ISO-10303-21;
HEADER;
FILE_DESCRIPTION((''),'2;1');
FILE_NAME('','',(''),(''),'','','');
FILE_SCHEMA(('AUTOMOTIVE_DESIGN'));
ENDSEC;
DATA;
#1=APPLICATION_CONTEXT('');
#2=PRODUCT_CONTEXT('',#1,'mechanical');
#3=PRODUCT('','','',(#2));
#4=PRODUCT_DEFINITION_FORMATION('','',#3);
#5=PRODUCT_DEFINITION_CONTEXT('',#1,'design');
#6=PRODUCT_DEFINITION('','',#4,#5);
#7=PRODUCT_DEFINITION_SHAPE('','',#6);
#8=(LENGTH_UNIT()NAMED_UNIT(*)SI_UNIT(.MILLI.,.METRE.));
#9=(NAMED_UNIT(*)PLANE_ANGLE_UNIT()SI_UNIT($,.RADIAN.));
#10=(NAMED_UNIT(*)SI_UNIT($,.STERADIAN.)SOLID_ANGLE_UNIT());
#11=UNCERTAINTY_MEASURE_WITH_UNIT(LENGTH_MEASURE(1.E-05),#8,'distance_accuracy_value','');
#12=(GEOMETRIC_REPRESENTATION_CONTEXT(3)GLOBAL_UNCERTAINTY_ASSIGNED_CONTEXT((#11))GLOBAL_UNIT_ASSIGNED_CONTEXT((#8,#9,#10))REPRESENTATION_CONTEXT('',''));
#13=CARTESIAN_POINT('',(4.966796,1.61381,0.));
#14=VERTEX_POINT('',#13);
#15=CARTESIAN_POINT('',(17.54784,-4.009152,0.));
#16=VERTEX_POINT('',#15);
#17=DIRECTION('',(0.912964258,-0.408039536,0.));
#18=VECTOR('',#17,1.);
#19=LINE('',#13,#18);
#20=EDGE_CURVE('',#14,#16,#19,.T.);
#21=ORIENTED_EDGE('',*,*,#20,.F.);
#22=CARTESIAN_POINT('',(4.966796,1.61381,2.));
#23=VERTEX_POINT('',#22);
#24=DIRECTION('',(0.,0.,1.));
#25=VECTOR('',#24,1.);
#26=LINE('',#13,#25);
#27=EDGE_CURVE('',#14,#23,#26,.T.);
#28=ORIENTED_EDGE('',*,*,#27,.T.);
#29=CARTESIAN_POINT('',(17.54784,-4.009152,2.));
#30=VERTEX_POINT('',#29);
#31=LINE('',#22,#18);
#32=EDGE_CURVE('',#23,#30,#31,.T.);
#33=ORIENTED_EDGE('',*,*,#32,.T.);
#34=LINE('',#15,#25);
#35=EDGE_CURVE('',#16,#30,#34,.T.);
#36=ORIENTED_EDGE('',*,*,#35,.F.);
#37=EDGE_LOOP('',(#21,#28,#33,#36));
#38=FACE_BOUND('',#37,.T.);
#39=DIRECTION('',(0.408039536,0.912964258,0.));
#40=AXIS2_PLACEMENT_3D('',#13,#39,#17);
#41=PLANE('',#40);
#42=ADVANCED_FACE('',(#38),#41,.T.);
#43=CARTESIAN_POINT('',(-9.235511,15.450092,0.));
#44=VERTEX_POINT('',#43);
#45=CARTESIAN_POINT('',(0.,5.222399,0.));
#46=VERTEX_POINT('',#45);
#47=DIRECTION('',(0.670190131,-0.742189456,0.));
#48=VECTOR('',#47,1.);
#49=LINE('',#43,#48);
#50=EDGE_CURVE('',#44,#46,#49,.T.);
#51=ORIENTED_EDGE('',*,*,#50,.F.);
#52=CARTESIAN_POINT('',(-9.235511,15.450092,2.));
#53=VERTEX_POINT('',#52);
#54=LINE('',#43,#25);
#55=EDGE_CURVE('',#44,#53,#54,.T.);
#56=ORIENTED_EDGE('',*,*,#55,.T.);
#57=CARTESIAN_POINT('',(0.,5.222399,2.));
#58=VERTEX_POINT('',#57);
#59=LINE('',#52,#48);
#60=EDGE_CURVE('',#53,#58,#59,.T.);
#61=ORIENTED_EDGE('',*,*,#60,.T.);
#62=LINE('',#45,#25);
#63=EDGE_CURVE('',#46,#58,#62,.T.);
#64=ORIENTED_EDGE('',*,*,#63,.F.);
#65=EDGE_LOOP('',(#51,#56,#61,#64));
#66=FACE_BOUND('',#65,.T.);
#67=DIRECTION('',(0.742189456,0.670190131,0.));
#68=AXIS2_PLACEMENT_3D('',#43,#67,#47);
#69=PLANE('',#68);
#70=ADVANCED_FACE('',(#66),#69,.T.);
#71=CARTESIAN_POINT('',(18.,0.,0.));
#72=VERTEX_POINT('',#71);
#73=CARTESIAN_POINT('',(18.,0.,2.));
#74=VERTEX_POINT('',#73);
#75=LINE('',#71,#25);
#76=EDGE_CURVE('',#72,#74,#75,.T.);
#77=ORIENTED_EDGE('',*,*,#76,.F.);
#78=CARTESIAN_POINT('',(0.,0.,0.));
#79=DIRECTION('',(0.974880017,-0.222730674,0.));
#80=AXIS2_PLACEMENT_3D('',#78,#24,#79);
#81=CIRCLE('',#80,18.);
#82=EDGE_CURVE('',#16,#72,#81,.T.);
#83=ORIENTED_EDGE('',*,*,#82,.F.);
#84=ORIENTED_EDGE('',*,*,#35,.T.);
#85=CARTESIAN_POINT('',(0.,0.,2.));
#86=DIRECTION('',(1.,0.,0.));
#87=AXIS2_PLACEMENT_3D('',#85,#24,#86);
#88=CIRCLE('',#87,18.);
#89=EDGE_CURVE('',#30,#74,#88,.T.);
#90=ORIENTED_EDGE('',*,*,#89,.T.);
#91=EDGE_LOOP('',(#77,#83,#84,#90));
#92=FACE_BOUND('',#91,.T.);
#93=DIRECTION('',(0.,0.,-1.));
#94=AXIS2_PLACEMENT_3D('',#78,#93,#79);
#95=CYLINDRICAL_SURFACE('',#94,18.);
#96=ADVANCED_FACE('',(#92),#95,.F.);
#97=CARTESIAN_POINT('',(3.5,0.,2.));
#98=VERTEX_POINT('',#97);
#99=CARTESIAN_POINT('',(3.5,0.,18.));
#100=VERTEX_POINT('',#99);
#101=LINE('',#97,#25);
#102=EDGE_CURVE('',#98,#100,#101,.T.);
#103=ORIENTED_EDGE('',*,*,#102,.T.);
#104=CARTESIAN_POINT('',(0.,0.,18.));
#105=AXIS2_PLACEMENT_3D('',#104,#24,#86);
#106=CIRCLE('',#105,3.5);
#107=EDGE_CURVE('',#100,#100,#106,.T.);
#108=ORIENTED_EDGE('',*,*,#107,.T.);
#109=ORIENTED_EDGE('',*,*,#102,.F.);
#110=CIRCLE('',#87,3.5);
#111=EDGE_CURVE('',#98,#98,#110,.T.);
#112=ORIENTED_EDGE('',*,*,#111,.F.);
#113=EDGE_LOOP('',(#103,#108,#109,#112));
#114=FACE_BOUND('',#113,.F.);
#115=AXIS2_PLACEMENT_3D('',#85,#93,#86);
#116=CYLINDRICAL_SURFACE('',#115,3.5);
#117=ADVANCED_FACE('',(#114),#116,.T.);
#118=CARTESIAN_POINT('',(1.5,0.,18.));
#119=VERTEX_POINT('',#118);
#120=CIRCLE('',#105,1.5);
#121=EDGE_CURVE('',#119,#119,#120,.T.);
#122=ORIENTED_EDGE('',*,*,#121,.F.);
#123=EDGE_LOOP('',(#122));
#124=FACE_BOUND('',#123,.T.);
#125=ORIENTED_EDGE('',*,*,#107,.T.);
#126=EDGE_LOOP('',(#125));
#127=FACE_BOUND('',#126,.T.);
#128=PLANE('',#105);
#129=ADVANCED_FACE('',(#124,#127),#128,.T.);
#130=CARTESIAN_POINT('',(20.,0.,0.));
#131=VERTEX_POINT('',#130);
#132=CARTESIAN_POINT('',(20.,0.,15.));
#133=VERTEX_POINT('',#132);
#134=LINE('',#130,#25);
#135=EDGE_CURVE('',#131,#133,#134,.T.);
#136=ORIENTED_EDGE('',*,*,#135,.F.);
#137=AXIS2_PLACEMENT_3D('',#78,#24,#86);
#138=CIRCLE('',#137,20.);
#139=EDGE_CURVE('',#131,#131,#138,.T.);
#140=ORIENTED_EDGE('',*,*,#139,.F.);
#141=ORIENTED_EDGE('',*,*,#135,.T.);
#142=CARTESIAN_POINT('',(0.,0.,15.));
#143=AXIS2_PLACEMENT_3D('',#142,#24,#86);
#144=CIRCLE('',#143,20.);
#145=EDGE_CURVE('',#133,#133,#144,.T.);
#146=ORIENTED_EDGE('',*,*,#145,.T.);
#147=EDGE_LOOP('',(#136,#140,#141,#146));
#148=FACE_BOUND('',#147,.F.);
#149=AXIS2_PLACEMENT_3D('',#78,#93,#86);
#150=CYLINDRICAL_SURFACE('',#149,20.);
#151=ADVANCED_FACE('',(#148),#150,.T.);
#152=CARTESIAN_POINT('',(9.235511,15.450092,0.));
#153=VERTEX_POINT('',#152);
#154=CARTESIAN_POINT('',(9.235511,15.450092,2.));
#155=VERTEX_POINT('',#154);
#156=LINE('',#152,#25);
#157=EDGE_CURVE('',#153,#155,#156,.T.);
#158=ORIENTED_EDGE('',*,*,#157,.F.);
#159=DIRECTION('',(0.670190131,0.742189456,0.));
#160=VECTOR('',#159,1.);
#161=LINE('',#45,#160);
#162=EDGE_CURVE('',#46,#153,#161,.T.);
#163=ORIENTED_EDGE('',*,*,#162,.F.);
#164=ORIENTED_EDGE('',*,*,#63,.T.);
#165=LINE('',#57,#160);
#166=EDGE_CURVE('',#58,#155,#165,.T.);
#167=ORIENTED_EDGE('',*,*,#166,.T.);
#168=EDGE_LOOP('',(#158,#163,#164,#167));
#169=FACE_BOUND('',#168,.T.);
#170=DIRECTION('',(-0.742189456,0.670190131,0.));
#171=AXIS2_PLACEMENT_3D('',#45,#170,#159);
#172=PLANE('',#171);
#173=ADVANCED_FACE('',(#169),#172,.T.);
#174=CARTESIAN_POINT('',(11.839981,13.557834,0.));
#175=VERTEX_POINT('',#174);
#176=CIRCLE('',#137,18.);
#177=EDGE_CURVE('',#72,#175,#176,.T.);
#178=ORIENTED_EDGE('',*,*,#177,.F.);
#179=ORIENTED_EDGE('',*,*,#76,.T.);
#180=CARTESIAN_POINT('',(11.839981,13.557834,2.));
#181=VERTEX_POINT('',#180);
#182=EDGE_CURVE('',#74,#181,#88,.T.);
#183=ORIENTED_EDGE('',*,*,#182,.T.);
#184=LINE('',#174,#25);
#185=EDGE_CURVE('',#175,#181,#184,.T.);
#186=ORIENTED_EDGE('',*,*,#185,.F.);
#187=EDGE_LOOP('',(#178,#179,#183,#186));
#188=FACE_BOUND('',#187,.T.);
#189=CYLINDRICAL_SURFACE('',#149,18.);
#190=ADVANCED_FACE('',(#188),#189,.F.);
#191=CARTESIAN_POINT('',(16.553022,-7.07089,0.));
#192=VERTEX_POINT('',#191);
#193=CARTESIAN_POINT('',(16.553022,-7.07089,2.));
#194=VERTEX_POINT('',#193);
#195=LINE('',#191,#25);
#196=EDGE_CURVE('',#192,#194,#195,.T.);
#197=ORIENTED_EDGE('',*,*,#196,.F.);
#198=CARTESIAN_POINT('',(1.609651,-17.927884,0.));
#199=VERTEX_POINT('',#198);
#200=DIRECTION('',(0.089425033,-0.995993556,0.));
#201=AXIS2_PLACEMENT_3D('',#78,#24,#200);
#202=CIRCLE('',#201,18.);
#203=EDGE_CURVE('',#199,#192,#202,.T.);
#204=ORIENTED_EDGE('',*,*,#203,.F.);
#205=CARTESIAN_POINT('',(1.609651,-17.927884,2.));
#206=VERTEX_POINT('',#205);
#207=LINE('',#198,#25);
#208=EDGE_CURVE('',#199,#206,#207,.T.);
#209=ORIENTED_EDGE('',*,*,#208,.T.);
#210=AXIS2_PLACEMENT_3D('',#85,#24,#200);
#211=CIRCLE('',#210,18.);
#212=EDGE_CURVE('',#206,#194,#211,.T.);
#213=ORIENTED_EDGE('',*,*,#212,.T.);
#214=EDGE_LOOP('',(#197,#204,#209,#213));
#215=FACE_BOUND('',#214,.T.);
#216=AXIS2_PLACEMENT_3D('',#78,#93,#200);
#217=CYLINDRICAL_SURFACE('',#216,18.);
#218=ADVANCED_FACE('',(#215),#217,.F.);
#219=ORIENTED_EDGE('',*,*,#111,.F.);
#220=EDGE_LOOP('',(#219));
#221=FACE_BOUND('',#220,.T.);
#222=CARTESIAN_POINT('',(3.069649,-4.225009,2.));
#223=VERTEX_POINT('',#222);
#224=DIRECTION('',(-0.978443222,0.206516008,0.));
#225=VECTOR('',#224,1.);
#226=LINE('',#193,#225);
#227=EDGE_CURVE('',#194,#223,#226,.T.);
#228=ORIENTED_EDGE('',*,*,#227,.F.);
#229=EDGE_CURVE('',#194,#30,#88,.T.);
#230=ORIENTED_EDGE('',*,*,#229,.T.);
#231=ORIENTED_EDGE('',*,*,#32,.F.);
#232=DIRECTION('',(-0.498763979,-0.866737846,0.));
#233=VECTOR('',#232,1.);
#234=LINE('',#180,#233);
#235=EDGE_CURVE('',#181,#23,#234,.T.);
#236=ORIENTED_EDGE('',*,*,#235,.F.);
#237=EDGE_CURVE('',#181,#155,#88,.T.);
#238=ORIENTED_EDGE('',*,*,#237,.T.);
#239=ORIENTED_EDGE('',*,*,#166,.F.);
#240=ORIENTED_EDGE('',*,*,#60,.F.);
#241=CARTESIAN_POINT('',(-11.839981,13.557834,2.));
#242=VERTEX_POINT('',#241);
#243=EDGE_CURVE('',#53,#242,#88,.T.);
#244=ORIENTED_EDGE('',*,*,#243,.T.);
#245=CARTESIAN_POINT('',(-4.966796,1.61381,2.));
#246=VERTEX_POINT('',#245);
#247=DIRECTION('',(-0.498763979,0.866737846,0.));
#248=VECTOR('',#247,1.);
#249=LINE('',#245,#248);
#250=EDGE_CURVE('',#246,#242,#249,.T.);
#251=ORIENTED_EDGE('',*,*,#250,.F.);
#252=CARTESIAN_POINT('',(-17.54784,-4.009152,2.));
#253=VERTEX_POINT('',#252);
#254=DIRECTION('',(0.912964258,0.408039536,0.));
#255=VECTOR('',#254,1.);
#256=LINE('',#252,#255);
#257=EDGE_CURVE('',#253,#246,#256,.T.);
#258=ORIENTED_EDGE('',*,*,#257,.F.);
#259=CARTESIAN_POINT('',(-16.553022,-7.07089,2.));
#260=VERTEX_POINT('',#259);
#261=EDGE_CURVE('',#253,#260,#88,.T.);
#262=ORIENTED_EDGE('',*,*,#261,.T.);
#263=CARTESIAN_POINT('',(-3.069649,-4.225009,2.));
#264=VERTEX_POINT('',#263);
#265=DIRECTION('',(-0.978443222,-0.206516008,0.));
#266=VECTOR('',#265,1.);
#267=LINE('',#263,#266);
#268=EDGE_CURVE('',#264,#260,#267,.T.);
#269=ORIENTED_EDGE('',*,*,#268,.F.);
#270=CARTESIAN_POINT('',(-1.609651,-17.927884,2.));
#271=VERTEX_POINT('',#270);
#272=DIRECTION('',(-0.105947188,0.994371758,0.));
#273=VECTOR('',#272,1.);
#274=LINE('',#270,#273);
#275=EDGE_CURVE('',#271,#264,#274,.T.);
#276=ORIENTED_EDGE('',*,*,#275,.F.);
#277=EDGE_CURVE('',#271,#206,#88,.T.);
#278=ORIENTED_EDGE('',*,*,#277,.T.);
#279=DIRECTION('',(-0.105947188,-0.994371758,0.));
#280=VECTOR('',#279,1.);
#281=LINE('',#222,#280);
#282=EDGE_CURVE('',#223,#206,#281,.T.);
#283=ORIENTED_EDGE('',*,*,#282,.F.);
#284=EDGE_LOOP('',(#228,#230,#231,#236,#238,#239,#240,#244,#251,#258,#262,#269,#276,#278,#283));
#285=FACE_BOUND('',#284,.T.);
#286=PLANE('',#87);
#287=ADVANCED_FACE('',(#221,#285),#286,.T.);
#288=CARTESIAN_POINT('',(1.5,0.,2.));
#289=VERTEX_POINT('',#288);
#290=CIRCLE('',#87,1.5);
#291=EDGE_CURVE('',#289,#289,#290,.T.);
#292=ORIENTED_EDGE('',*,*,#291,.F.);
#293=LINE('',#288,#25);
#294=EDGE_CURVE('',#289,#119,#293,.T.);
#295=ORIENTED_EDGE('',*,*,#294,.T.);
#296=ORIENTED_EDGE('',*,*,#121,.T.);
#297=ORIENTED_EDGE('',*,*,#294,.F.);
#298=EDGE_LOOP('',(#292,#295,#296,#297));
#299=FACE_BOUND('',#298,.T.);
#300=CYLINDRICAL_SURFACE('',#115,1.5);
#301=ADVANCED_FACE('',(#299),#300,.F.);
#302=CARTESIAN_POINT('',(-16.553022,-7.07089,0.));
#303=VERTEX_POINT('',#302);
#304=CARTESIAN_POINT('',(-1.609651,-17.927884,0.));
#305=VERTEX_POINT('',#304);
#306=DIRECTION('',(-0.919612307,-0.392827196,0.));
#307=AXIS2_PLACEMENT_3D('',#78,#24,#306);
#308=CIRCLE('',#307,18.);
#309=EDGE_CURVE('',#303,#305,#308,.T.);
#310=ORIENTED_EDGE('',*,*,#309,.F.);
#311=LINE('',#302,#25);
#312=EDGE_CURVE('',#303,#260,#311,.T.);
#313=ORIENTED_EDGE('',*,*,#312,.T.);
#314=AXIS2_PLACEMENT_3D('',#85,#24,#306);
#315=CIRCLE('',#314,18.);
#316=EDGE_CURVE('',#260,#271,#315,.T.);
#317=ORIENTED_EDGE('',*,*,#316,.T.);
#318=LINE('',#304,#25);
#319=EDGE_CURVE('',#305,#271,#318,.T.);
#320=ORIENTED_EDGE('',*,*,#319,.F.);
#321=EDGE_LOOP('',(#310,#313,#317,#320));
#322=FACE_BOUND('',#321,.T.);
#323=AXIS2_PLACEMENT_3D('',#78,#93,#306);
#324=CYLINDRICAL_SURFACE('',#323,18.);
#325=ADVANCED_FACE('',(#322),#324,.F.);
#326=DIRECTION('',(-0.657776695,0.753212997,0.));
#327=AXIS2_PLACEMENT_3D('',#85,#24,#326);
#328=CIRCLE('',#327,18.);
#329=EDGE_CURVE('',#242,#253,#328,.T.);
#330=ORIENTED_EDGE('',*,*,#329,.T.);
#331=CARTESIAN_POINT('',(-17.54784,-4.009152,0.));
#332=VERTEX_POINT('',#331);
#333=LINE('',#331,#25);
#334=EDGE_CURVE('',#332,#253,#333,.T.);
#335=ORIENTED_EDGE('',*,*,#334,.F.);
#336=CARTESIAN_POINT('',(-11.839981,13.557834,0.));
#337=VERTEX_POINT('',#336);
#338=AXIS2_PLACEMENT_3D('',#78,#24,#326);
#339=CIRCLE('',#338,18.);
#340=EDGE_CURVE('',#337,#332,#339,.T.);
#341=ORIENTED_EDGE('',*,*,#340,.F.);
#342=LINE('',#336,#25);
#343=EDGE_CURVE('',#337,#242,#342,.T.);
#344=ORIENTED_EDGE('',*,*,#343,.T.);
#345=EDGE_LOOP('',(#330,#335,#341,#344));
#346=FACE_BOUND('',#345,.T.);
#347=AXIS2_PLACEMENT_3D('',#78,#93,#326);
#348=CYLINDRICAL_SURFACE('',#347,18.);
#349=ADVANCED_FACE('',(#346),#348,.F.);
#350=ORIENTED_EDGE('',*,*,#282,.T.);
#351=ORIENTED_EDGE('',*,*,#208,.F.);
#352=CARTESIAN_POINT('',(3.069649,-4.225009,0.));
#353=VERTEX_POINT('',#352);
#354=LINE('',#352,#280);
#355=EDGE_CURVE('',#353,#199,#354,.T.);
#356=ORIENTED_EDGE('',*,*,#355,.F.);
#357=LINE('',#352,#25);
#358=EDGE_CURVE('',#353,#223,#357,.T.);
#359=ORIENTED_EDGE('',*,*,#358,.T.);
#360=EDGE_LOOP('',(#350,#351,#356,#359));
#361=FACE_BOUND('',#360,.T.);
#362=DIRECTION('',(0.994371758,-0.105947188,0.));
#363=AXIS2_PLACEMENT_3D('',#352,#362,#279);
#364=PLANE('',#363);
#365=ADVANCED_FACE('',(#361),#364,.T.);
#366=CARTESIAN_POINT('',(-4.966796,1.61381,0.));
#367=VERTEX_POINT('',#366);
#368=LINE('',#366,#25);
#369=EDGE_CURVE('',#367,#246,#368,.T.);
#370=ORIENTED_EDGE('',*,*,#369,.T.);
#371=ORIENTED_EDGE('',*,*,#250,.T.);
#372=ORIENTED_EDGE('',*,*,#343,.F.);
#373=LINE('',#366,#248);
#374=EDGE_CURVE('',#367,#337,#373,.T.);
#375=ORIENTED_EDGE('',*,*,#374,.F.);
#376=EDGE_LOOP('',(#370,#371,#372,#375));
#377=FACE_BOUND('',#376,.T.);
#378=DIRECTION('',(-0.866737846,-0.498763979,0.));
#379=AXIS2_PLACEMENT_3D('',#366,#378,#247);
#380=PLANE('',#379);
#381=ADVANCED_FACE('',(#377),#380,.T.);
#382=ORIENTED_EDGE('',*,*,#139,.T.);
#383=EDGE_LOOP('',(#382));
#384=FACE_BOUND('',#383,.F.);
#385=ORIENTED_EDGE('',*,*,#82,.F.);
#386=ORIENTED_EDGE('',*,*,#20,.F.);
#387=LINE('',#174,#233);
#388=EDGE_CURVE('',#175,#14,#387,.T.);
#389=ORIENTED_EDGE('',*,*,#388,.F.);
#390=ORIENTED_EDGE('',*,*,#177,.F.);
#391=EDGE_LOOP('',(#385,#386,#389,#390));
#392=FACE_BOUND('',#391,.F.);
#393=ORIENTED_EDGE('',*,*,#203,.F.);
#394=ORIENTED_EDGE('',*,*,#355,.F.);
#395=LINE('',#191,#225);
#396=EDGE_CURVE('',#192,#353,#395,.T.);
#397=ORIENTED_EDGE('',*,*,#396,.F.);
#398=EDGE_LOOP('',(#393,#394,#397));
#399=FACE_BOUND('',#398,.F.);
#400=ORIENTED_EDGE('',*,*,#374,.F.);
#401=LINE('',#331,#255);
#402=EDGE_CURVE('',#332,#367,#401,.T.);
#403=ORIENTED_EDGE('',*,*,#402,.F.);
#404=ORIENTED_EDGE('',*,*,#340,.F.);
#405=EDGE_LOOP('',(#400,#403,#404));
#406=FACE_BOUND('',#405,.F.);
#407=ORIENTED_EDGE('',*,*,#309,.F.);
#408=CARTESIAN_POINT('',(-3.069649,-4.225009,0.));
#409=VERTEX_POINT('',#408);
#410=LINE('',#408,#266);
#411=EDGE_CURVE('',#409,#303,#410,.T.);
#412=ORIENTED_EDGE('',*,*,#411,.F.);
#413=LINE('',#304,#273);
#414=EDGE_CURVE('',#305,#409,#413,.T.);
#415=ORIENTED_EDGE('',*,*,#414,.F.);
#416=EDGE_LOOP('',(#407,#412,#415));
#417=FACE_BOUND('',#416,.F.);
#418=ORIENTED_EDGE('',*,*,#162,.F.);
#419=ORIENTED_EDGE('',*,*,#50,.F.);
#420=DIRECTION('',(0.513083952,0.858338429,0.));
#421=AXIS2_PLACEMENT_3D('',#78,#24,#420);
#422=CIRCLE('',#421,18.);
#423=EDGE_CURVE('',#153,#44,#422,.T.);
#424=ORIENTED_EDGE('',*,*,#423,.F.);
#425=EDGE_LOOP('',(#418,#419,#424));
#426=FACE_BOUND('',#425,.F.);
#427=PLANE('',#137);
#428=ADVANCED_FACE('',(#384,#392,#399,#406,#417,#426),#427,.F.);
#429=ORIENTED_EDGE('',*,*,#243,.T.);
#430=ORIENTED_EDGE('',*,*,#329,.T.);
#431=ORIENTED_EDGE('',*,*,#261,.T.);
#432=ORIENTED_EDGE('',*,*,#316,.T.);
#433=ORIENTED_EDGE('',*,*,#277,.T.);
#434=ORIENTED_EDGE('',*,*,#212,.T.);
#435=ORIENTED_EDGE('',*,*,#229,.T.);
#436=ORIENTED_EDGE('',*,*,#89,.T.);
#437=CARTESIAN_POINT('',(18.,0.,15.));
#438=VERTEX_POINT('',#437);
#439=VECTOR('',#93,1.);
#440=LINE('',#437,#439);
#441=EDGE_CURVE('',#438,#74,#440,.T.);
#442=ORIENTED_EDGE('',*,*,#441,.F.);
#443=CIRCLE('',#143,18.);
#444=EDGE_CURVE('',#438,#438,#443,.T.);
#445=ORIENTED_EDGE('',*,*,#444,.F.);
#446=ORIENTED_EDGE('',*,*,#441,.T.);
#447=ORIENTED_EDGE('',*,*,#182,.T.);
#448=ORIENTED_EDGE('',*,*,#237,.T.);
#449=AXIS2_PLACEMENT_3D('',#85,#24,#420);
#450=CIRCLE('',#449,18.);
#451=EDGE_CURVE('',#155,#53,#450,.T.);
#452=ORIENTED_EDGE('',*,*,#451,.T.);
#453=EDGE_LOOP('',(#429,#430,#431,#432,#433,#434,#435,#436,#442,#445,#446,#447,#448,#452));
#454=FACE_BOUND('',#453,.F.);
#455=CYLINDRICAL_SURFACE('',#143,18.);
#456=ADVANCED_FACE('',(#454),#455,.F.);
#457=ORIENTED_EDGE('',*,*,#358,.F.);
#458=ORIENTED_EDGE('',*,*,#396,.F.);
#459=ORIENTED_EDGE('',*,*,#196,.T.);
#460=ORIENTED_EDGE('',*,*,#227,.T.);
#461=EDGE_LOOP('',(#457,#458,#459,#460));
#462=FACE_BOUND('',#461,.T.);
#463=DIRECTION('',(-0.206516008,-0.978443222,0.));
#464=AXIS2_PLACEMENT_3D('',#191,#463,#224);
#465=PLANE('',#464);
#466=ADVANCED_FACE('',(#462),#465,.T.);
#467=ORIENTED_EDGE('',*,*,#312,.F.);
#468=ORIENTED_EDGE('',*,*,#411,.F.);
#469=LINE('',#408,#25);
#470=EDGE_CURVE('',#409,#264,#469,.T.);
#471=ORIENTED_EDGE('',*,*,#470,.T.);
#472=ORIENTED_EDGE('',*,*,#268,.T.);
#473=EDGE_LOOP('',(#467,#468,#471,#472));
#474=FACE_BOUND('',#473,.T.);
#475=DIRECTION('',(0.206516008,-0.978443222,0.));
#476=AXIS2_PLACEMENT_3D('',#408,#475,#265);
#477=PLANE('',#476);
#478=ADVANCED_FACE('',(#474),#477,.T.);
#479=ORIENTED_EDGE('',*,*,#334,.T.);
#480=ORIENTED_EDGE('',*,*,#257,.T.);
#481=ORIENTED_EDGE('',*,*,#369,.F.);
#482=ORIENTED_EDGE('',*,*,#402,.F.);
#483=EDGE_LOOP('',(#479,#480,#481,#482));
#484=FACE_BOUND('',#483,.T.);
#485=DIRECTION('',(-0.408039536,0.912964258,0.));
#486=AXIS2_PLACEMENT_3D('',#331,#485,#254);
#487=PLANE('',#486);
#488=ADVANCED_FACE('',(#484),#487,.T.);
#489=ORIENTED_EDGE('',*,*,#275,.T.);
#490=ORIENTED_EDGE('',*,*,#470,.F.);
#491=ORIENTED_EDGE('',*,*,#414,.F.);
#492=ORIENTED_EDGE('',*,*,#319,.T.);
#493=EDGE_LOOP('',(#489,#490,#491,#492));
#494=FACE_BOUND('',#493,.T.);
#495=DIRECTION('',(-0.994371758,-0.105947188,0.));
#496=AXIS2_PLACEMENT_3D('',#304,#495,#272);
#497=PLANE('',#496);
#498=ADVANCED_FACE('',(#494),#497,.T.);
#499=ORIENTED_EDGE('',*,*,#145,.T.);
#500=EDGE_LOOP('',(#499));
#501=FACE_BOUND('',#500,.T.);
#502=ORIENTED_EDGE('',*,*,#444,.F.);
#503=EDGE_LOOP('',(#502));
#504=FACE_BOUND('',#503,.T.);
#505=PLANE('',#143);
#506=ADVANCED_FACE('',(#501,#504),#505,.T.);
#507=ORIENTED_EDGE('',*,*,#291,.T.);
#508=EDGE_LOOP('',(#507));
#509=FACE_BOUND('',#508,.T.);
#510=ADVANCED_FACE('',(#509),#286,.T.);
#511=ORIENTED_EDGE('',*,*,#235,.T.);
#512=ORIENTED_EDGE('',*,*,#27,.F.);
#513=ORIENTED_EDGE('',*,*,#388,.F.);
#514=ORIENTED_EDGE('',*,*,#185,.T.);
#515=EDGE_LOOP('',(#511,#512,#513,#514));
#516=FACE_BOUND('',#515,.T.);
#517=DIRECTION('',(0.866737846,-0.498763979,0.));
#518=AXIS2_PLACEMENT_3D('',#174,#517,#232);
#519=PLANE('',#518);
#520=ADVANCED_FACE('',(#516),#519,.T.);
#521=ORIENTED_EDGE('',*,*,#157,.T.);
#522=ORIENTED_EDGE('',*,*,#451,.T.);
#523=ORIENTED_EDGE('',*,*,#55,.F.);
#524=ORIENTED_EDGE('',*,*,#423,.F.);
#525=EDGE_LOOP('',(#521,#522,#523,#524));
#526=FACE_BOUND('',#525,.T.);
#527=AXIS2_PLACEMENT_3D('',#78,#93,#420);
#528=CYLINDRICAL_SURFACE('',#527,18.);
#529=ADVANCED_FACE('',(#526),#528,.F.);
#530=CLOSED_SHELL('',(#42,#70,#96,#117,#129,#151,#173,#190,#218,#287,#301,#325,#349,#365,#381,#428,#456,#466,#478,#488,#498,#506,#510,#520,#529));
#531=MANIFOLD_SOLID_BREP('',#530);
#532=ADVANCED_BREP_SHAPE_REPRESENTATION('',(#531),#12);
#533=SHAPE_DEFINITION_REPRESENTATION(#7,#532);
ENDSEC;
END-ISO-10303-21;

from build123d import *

# Parameters (mm, degrees)
F0_R     = 20
F1_DEPTH = 15
F2_R     = 18
F3_DEPTH = 13
F5_R     = 3.5
F5_R_2   = 1.5
F6_DEPTH = 16
F8_DEPTH = 2


with BuildPart() as f1:
    # F0 (on Top) → F1 (new body)
    with BuildSketch(Plane.XY):
        Circle(F0_R)
    extrude(amount=F1_DEPTH)

    # F2 (on face) → F3 (cut)
    with BuildSketch(Plane.XY.offset(15)):
        Circle(F2_R)
    extrude(amount=-F3_DEPTH, mode=Mode.SUBTRACT)

    # F5 (on face) → F6 (join)
    with BuildSketch(Plane.XY.offset(2)):
        Circle(F5_R)
        Circle(F5_R_2, mode=Mode.SUBTRACT)
    extrude(amount=F6_DEPTH)

    # F7 (on Top) → F8 (cut)
    with BuildSketch(Plane.XY):
        with BuildLine():
            ThreePointArc((-16.5530215172, -7.0708895234), (-10.5801345413, -14.5623058987), (-1.6096506002, -17.9278840064))
            Line((-1.6096506002, -17.9278840064), (-3.0696488791, -4.2250092194))
            Line((-3.0696488791, -4.2250092194), (-16.5530215172, -7.0708895234))
        make_face()
        with BuildLine():
            ThreePointArc((1.6096506002, -17.9278840064), (10.5801345413, -14.5623058987), (16.5530215172, -7.0708895234))
            Line((16.5530215172, -7.0708895234), (3.0696488791, -4.2250092194))
            Line((3.0696488791, -4.2250092194), (1.6096506002, -17.9278840064))
        make_face()
        with BuildLine():
            ThreePointArc((17.5478402981, -4.0091521389), (17.8866028827, -2.0172846396), (18, 0))
            ThreePointArc((18, 0), (16.3877949898, 7.4458159641), (11.8399805143, 13.5578339502))
            Line((11.8399805143, 13.5578339502), (4.9667962199, 1.613809919))
            Line((4.9667962199, 1.613809919), (17.5478402981, -4.0091521389))
        make_face()
        with BuildLine():
            Line((0, 5.2223986007), (9.2355111332, 15.4500917184))
            ThreePointArc((9.2355111332, 15.4500917184), (0, 18), (-9.2355111332, 15.4500917184))
            Line((-9.2355111332, 15.4500917184), (0, 5.2223986007))
        make_face()
        with BuildLine():
            Line((-4.9667962199, 1.613809919), (-11.8399805143, 13.5578339502))
            ThreePointArc((-11.8399805143, 13.5578339502), (-17.1190172933, 5.5623058987), (-17.5478402981, -4.0091521389))
            Line((-17.5478402981, -4.0091521389), (-4.9667962199, 1.613809919))
        make_face()
    extrude(amount=F8_DEPTH, mode=Mode.SUBTRACT)


solid = f1.part
